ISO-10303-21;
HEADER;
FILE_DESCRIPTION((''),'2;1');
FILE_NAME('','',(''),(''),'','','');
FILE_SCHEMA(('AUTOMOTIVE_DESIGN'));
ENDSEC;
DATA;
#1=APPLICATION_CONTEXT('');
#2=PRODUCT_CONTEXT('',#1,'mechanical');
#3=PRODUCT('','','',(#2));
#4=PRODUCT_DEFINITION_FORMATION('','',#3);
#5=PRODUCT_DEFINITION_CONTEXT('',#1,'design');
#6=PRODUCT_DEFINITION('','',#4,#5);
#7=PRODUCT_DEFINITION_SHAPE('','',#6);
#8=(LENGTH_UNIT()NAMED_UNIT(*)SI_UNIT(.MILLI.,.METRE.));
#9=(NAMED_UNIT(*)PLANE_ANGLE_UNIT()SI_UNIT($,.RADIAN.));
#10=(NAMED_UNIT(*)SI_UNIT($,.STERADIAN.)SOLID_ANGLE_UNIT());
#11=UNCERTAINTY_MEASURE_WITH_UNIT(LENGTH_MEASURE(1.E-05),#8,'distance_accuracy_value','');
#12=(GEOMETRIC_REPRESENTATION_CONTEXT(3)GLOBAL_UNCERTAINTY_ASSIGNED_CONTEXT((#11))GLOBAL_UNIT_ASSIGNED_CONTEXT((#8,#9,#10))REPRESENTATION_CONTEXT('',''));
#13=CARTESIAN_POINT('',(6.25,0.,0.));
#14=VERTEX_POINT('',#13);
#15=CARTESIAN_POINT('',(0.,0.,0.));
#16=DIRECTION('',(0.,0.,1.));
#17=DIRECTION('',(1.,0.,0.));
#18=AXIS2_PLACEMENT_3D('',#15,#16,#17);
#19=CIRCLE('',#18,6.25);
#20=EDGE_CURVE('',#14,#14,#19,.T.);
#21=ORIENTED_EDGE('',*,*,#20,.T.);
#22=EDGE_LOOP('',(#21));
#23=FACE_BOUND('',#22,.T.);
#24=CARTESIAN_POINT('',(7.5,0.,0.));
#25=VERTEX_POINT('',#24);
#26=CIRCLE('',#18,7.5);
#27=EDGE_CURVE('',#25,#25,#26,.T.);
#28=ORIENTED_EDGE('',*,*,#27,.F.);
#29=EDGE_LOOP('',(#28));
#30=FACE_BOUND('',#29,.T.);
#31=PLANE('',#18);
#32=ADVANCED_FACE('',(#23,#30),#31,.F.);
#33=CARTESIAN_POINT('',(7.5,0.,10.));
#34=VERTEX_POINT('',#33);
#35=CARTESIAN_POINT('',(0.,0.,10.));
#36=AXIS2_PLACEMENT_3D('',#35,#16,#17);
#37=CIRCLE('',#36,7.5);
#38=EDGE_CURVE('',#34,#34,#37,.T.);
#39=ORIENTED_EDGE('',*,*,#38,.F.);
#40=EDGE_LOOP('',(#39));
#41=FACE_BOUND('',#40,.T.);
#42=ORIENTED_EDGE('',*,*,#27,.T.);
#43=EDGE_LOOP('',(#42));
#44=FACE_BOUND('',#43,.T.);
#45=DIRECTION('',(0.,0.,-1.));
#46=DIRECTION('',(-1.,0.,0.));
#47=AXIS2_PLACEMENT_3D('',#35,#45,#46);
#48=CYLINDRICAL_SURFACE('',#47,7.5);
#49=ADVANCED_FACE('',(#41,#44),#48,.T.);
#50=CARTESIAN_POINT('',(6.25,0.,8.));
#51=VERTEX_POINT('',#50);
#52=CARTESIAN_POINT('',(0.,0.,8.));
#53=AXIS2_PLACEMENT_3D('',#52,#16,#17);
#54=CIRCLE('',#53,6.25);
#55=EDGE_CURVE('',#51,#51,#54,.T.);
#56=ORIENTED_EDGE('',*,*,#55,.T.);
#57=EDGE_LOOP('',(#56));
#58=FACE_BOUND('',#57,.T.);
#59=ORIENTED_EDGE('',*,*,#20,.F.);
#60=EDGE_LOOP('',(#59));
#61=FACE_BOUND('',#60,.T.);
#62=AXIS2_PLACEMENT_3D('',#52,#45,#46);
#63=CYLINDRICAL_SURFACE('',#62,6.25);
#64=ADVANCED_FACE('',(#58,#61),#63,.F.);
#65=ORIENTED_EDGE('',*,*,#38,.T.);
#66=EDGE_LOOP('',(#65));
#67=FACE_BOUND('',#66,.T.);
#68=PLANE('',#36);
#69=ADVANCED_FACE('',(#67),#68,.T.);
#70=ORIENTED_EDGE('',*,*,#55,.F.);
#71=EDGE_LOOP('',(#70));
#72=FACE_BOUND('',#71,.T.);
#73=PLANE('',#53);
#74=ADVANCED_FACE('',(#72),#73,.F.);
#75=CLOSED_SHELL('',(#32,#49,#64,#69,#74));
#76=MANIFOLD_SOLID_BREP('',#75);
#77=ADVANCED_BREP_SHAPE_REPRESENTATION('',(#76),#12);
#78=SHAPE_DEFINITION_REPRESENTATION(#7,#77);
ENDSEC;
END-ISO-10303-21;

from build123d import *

# Parameters (mm, degrees)
SKETCH1_R           = 7.5
BOSS_EXTRUDE1_DEPTH = 10
SKETCH1_3_R         = 6.25
CUT_EXTRUDE1_DEPTH  = 8


with BuildPart() as part:
    # Sketch1 → Boss-Extrude1 (new body)
    with BuildSketch(Plane.XY):
        Circle(SKETCH1_R)
    extrude(amount=BOSS_EXTRUDE1_DEPTH)

    # Sketch1<3> → Cut-Extrude1 (cut)
    with BuildSketch(Plane.XY):
        Circle(SKETCH1_3_R)
    extrude(amount=CUT_EXTRUDE1_DEPTH, mode=Mode.SUBTRACT)


solid = part.part
